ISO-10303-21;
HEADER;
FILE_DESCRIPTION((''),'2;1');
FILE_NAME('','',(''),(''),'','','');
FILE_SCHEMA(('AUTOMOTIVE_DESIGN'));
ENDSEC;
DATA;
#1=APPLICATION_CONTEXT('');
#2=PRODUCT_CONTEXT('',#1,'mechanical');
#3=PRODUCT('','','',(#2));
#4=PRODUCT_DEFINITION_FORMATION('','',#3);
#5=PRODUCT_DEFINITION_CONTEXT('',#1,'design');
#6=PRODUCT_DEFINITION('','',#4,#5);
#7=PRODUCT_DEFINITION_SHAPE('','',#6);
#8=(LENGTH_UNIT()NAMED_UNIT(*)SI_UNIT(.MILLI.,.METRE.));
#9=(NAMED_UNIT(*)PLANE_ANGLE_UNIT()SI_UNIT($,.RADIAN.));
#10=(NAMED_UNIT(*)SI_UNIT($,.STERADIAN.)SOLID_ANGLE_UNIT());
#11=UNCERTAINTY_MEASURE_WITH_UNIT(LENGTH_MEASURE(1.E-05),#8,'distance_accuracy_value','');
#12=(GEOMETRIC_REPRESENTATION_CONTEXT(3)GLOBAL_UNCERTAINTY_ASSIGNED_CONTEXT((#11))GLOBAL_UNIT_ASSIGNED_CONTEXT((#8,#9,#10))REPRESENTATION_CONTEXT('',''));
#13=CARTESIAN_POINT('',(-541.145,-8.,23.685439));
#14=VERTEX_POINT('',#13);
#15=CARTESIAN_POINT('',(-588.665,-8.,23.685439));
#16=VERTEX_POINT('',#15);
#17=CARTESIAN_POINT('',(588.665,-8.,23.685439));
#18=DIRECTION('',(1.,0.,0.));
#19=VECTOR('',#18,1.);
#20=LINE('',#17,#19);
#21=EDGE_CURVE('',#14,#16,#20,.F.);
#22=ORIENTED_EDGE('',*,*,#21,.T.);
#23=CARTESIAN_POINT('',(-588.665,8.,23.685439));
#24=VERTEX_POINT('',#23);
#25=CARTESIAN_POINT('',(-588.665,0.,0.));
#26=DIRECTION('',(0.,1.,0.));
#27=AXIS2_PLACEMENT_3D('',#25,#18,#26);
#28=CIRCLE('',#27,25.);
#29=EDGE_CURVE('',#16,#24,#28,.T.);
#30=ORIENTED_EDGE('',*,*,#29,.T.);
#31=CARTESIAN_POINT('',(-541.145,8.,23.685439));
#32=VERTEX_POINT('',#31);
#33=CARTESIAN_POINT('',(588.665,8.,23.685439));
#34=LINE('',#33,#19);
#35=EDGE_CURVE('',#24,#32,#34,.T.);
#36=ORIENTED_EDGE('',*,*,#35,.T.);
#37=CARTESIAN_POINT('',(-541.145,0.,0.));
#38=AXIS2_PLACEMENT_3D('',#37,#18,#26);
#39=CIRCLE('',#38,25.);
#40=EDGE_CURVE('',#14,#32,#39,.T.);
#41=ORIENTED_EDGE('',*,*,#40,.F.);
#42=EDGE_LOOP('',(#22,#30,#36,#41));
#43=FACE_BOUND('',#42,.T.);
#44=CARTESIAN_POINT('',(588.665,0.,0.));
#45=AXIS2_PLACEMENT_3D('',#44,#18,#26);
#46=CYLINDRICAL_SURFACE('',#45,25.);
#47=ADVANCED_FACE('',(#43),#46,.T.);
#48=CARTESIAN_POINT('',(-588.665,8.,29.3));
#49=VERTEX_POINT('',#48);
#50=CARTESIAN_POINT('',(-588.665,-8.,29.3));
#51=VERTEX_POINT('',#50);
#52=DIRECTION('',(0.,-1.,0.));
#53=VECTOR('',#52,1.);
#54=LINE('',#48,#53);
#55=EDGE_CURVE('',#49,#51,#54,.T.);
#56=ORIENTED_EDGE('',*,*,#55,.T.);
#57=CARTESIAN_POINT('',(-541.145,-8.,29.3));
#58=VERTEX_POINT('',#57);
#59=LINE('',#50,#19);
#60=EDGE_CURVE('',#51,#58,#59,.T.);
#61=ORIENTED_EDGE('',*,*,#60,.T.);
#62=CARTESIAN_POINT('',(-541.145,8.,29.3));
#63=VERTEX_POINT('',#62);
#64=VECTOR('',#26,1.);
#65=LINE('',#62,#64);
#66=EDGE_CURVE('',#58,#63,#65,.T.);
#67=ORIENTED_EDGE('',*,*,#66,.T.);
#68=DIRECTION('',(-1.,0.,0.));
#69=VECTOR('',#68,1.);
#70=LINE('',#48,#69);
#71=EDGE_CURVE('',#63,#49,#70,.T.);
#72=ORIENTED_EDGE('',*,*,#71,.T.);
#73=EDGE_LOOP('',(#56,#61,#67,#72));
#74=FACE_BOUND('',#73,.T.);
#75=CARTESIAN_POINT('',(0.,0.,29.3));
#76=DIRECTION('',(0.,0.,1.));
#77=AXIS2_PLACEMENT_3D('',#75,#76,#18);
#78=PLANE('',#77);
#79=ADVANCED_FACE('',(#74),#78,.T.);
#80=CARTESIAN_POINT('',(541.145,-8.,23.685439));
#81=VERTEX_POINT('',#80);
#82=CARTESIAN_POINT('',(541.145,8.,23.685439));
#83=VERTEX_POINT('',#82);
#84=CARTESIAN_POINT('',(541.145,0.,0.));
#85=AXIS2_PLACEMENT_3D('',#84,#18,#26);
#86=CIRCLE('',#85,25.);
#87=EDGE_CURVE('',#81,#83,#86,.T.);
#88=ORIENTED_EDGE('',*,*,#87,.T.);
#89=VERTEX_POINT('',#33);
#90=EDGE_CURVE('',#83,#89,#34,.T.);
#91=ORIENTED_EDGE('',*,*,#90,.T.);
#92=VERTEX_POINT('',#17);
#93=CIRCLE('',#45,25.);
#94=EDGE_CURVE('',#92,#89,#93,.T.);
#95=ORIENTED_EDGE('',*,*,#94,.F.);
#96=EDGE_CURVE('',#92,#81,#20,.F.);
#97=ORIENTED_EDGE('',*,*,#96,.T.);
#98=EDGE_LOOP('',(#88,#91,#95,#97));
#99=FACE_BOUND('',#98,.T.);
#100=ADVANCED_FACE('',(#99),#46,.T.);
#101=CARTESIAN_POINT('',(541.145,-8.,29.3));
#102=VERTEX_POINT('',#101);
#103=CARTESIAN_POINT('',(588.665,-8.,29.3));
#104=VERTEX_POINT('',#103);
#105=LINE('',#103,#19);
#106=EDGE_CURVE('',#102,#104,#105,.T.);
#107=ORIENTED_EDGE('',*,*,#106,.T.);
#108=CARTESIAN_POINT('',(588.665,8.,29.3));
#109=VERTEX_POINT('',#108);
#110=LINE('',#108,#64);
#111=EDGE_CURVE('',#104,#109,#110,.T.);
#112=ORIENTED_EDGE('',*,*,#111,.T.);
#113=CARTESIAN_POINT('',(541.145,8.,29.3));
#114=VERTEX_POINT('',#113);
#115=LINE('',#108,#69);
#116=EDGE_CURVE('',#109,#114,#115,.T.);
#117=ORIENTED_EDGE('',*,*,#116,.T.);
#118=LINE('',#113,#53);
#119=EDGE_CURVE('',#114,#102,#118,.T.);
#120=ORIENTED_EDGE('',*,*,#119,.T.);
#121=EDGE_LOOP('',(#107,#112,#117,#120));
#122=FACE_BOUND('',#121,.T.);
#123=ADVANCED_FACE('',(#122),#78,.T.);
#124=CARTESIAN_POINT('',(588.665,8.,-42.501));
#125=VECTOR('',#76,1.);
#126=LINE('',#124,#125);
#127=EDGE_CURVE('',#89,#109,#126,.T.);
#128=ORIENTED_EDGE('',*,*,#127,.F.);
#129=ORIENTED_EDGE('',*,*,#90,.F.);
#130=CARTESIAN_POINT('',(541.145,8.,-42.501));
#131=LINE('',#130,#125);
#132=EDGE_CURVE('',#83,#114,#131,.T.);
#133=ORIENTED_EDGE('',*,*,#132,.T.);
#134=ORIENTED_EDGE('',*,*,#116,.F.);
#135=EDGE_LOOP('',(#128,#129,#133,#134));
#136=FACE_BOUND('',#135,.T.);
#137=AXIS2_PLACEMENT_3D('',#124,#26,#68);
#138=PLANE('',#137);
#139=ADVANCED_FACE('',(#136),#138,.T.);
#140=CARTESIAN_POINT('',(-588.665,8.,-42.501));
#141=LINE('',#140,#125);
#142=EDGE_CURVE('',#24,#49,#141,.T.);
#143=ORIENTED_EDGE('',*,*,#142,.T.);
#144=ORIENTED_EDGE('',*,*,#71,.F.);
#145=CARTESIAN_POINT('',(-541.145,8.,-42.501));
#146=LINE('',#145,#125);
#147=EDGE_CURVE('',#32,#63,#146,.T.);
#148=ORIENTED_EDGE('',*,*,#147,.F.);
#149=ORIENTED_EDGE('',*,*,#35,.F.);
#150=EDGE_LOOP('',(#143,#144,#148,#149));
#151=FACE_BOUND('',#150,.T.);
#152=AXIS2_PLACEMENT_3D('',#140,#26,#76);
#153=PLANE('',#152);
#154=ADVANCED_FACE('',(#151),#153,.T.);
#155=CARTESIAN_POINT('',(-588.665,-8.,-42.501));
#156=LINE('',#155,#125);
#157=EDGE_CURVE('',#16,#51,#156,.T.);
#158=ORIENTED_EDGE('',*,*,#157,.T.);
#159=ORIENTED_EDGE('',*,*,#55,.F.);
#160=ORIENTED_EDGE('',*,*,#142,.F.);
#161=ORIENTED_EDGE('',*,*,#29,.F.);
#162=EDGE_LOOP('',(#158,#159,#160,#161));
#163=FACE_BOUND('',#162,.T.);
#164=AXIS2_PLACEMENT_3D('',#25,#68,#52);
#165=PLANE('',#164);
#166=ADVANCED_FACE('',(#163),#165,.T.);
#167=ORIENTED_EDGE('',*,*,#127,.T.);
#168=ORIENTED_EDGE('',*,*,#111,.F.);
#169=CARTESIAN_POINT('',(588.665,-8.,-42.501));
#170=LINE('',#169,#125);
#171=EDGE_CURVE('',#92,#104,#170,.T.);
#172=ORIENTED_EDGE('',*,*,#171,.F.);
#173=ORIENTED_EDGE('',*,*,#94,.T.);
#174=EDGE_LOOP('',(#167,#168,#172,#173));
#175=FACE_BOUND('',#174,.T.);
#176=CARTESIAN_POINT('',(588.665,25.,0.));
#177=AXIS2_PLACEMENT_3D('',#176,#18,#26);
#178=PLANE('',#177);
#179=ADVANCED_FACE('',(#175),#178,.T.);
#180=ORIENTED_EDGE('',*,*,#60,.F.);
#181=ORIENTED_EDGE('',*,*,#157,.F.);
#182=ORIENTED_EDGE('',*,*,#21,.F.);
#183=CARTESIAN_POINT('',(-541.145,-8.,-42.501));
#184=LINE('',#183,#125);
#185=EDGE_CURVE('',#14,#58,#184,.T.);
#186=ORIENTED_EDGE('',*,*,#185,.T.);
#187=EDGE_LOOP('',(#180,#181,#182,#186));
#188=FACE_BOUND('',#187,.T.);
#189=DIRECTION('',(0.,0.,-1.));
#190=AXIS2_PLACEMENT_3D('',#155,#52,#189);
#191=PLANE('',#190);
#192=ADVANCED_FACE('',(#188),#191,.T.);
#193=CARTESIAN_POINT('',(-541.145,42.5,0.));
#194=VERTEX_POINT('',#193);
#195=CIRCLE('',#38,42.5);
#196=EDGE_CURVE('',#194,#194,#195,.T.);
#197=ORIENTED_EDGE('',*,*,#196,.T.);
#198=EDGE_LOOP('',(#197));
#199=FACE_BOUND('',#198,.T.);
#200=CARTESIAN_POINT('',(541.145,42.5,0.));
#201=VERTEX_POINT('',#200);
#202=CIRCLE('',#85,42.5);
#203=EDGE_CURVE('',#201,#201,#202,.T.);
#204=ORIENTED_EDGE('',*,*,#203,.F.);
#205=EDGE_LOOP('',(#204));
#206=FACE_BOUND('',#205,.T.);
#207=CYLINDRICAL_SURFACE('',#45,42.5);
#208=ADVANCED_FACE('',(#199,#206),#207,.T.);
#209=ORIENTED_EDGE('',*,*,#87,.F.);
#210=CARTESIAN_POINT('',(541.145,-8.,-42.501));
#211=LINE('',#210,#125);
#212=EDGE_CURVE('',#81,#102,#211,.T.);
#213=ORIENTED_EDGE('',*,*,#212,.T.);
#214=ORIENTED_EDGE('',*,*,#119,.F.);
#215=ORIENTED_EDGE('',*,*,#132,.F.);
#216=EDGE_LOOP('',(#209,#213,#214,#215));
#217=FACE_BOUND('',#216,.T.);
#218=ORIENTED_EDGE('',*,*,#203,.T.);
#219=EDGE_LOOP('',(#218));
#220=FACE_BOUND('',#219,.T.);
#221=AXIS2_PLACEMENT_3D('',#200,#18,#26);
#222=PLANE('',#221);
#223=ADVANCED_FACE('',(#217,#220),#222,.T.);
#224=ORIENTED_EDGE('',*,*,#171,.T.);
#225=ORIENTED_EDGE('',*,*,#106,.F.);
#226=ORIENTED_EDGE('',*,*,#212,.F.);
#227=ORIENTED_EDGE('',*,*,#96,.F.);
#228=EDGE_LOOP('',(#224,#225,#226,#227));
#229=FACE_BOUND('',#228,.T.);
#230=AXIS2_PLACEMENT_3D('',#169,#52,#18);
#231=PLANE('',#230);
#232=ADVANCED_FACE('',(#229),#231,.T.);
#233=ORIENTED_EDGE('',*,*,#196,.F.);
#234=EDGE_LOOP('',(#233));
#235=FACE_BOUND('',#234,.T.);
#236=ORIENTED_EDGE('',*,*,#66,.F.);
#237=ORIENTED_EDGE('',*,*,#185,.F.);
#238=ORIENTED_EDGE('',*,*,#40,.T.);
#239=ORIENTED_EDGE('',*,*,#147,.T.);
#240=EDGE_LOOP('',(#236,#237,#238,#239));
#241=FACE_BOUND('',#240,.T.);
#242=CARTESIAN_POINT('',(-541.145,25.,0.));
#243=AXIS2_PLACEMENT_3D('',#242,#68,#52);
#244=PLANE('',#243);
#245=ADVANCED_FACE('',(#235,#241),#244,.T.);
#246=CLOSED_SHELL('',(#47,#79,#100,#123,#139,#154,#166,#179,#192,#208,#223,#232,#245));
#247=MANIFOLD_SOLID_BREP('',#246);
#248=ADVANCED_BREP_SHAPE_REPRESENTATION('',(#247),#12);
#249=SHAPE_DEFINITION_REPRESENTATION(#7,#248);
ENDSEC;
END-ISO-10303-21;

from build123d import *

# Parameters (mm, degrees)
BOSS_EXTRUDE1_REACH      = 596.549
BOSS_EXTRUDE1_END_RADIUS = 25
SKETCH3_W                = 47.52
SKETCH3_H                = 16


with BuildPart() as part:
    # Sketch1 → Revolve1 (revolve)
    with BuildSketch(Plane.XY):
        Polygon((-588.665, 0), (-588.665, 25), (-541.145, 25), (-541.145, 42.5), (541.145, 42.5), (541.145, 25), (588.665, 25), (588.665, 0), align=None)
    revolve(axis=Axis((588.665, 0, 0), (-1, 0, 0)))

    # Boss-Extrude1: up to this cylinder (the profile starts outside it)
    boss_extrude1_end = Plane(origin=(0, 0, 0), z_dir=(1, 0, 0)) * Cylinder(BOSS_EXTRUDE1_END_RADIUS, 2373.908, mode=Mode.PRIVATE)
    # Sketch3 → Boss-Extrude1 (add, up to the surface)
    with BuildSketch(Plane.XY.offset(29.3), mode=Mode.PRIVATE) as boss_extrude1_sk1:
        with Locations((-564.905, 0)):
            Rectangle(SKETCH3_W, SKETCH3_H)
    boss_extrude1_tool1 = extrude(boss_extrude1_sk1.sketch, amount=-BOSS_EXTRUDE1_REACH, mode=Mode.PRIVATE) - boss_extrude1_end
    add(boss_extrude1_tool1.solids().sort_by_distance((-564.905, 0, 29.3))[0])
    # Sketch3 → Boss-Extrude1 (add, up to the surface)
    with BuildSketch(Plane.XY.offset(29.3), mode=Mode.PRIVATE) as boss_extrude1_sk2:
        with Locations((564.905, 0)):
            Rectangle(SKETCH3_W, SKETCH3_H)
    boss_extrude1_tool2 = extrude(boss_extrude1_sk2.sketch, amount=-BOSS_EXTRUDE1_REACH, mode=Mode.PRIVATE) - boss_extrude1_end
    add(boss_extrude1_tool2.solids().sort_by_distance((564.905, 0, 29.3))[0])


solid = part.part
